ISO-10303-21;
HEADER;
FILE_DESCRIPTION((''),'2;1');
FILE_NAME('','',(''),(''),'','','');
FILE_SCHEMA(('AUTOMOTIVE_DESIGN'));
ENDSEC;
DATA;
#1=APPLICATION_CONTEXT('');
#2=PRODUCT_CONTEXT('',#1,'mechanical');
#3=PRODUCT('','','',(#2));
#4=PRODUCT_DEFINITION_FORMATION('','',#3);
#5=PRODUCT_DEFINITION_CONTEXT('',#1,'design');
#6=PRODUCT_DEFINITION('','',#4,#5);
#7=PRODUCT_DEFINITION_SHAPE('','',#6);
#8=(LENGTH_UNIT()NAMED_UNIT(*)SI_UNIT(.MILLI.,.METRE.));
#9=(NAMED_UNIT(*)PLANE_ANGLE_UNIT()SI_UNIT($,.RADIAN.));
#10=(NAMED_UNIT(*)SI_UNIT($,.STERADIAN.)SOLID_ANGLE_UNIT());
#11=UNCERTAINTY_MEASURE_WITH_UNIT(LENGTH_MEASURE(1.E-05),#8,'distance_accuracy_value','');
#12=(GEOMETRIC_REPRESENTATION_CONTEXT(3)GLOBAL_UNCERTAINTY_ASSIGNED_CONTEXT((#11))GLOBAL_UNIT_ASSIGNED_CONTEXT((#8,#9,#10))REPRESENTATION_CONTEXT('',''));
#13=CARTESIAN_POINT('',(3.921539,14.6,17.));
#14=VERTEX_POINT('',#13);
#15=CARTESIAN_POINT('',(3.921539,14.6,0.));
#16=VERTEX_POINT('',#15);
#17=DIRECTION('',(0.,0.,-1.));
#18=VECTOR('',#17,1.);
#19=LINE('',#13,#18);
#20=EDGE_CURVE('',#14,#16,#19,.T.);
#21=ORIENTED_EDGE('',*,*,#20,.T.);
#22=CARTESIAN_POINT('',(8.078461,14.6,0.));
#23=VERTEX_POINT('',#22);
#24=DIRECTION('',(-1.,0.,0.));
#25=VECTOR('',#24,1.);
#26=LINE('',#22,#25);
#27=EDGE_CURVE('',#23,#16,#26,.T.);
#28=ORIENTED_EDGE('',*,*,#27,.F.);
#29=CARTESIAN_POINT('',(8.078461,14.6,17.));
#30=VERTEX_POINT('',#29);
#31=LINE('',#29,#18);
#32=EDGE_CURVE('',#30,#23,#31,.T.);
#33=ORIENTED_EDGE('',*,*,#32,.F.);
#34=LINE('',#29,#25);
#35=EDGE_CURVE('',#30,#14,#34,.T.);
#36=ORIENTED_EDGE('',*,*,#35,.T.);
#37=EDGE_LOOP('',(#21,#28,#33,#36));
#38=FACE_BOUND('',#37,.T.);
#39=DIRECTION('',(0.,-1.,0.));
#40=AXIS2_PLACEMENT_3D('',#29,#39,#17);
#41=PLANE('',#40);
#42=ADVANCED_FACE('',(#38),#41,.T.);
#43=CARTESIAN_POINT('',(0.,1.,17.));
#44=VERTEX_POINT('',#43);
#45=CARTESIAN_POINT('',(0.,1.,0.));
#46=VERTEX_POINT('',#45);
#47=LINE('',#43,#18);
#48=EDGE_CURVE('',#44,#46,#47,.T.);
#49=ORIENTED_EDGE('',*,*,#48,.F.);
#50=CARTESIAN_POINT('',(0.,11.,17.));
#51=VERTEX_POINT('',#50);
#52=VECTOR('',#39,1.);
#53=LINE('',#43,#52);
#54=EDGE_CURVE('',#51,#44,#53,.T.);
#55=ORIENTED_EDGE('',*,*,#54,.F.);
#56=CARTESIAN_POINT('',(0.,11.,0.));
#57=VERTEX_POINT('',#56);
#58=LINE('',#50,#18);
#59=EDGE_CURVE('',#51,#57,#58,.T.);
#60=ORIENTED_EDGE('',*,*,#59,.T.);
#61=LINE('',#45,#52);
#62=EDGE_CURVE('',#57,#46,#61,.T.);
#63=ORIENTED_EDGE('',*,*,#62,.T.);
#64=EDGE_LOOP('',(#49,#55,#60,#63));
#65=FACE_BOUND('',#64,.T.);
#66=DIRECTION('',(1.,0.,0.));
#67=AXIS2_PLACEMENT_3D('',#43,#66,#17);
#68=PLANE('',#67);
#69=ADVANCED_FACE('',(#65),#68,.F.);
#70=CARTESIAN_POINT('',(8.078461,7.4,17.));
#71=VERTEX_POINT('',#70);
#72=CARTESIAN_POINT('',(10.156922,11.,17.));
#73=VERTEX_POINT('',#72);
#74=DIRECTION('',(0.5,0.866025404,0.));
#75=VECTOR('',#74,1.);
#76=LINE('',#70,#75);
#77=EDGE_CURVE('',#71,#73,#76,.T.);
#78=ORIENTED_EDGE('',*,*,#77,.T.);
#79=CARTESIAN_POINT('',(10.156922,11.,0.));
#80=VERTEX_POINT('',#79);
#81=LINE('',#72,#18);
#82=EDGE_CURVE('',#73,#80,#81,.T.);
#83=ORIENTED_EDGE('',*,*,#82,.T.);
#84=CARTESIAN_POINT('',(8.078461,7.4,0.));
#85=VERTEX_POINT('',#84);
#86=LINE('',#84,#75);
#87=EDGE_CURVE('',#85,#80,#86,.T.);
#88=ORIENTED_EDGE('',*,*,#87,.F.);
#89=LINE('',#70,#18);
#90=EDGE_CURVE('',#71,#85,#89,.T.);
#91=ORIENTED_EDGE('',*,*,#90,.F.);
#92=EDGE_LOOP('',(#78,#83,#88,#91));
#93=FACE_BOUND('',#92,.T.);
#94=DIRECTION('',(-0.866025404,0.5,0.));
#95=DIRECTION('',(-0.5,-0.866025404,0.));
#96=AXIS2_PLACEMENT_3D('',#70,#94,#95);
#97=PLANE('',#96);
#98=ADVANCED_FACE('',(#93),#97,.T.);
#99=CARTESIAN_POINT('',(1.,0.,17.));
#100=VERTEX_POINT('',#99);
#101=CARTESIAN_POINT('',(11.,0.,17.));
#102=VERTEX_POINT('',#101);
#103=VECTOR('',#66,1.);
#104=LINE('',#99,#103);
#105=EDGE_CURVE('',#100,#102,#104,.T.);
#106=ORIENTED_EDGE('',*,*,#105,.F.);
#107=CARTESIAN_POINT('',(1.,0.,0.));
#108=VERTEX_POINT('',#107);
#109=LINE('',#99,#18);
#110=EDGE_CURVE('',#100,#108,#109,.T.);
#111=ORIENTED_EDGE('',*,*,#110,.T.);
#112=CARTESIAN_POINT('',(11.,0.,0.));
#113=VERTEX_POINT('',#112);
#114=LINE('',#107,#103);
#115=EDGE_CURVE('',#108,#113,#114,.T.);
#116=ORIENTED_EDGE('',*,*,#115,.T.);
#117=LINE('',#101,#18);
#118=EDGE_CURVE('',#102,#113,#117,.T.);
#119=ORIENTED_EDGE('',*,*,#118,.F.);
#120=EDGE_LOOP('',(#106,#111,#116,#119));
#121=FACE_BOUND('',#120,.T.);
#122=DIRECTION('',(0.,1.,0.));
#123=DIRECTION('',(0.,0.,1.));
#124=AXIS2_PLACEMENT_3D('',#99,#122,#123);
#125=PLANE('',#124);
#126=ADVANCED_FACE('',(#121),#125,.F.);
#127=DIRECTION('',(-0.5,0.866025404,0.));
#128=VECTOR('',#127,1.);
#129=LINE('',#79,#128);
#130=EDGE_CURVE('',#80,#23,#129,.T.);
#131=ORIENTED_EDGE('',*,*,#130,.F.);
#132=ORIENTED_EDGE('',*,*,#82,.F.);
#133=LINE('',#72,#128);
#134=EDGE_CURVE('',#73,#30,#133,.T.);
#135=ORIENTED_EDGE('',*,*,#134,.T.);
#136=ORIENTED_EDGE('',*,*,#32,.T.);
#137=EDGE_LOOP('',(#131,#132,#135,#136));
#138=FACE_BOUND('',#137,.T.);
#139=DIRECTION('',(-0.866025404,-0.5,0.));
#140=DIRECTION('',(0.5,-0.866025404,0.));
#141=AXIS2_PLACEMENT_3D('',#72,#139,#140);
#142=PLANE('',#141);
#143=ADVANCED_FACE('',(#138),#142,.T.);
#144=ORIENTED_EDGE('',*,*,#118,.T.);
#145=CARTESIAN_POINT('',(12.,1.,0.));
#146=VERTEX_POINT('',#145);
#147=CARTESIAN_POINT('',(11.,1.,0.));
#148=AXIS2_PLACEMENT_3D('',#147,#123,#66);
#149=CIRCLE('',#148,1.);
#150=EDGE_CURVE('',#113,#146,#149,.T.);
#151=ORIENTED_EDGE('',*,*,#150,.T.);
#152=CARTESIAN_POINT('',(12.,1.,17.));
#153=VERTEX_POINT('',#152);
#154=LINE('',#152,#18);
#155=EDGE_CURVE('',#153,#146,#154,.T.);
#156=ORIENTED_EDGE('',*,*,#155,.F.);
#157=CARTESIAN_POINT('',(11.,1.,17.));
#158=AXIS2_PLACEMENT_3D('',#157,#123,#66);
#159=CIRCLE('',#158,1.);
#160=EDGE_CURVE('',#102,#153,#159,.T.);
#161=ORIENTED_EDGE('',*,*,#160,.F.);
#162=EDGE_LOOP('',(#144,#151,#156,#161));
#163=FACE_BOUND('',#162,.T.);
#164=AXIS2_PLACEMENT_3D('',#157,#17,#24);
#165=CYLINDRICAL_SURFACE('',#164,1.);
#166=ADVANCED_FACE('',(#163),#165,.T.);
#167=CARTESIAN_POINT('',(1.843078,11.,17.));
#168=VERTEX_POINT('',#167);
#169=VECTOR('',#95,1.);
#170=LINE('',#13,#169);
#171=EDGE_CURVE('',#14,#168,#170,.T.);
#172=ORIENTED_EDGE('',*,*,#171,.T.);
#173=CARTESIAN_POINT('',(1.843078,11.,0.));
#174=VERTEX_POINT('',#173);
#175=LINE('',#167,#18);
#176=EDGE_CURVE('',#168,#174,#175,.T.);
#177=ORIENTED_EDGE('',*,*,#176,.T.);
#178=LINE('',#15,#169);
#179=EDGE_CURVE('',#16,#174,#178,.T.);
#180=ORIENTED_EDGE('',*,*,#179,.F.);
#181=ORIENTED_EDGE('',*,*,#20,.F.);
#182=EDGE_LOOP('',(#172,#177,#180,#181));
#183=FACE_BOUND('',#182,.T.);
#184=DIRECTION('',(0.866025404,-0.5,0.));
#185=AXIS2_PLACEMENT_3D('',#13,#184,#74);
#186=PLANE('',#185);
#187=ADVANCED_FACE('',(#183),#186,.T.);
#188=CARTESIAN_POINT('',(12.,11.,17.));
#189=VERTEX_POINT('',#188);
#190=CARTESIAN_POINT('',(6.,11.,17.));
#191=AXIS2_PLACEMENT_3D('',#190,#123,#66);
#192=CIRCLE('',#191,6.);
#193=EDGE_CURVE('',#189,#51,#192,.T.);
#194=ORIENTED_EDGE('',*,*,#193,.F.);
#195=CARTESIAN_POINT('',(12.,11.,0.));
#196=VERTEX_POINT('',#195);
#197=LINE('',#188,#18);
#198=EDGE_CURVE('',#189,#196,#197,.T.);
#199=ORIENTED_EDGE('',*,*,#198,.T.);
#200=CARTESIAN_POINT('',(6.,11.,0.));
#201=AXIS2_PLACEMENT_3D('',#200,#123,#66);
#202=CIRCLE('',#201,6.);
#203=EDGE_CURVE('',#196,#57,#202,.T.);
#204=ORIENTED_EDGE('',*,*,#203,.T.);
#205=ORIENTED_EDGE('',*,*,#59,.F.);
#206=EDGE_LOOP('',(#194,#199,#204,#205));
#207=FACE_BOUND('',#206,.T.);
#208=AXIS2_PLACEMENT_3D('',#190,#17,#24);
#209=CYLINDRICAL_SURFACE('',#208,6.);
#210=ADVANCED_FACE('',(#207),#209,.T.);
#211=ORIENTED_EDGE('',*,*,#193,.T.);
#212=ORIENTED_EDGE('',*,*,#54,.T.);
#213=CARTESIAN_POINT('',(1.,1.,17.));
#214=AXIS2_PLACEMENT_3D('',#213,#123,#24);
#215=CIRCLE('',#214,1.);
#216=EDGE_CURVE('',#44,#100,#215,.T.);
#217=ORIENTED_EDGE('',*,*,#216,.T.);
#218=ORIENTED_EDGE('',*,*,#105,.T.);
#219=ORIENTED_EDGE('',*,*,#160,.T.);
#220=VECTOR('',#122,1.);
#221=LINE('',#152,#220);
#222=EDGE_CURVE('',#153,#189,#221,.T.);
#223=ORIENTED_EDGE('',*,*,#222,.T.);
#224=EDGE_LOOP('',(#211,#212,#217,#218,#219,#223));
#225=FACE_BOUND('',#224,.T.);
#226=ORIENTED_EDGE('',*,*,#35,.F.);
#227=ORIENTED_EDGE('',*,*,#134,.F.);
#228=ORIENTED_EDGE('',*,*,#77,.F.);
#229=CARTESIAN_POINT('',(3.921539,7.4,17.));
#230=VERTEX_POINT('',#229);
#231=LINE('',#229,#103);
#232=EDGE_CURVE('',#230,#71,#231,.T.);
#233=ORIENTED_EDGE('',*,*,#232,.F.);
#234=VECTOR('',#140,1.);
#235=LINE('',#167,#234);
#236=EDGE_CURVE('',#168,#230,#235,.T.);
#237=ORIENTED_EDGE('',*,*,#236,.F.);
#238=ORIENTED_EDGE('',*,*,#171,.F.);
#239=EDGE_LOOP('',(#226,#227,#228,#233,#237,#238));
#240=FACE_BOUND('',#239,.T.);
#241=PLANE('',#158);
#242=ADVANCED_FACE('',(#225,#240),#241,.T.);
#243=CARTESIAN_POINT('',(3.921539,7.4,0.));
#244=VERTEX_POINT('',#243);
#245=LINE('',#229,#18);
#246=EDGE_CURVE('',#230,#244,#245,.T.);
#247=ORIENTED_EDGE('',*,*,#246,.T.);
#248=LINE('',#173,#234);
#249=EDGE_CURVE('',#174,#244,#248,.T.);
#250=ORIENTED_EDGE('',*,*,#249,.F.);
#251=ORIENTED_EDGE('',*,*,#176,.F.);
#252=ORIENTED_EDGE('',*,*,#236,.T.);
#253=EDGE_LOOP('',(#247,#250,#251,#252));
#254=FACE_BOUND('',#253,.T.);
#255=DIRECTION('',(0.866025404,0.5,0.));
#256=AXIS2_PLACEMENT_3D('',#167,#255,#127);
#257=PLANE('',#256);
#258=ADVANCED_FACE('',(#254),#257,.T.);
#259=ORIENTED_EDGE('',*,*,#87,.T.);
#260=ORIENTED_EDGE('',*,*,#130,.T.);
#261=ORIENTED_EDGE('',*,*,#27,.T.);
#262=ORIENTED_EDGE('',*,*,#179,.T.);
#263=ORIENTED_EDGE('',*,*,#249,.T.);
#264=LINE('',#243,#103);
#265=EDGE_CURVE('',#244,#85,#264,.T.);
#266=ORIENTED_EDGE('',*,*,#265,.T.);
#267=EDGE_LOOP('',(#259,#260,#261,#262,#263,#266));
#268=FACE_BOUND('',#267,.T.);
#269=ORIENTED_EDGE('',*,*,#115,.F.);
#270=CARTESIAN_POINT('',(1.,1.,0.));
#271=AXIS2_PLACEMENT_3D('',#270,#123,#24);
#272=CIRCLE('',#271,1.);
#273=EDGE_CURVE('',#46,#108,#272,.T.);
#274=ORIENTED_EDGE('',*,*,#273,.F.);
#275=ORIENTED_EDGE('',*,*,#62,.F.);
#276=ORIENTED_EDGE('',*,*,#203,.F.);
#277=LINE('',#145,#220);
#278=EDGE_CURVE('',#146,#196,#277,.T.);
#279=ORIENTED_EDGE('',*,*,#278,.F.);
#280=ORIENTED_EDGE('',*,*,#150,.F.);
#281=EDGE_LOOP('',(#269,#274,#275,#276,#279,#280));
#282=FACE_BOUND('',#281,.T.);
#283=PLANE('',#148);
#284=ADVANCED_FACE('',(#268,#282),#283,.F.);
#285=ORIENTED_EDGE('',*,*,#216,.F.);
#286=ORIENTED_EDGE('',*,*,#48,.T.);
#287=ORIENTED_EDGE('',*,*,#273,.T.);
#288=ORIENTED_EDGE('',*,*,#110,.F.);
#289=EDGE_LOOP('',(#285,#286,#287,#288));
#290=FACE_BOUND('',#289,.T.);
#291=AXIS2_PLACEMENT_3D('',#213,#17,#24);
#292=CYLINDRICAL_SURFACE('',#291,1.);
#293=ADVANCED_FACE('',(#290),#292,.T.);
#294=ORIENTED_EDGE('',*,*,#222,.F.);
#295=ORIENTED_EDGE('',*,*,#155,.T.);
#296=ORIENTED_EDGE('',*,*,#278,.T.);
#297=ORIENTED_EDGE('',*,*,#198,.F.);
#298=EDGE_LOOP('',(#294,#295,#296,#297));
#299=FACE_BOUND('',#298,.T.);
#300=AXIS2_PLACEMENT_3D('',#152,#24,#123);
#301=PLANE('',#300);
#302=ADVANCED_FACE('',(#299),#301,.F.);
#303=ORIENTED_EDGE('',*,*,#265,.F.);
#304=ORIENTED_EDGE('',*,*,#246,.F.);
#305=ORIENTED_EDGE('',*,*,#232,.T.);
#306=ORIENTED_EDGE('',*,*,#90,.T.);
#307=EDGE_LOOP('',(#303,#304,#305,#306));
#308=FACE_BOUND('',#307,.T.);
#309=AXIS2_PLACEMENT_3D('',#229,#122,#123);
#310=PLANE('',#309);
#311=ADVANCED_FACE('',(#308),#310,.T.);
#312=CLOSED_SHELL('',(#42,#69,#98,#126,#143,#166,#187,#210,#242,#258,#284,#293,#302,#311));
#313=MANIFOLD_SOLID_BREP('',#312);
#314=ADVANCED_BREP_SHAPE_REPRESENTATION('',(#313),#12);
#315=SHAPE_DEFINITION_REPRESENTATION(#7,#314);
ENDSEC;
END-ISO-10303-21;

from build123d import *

# Parameters (mm, degrees)
BOSS_EXTRUDE1_DEPTH = 17


with BuildPart() as part:
    # Sketch1 → Boss-Extrude1 (new body)
    with BuildSketch(Plane.XY):
        with BuildLine():
            Line((1, 0), (11, 0))
            ThreePointArc((11, 0), (11.707106781, 0.292893219), (12, 1))
            Line((12, 1), (12, 11))
            ThreePointArc((12, 11), (6, 17), (0, 11))
            Line((0, 11), (0, 1))
            ThreePointArc((0, 1), (0.292893219, 0.292893219), (1, 0))
        make_face()
        Polygon((10.156921938, 11), (8.078460969, 14.6), (3.921539031, 14.6), (1.843078062, 11), (3.921539031, 7.4), (8.078460969, 7.4), align=None, mode=Mode.SUBTRACT)
    extrude(amount=BOSS_EXTRUDE1_DEPTH)


solid = part.part
